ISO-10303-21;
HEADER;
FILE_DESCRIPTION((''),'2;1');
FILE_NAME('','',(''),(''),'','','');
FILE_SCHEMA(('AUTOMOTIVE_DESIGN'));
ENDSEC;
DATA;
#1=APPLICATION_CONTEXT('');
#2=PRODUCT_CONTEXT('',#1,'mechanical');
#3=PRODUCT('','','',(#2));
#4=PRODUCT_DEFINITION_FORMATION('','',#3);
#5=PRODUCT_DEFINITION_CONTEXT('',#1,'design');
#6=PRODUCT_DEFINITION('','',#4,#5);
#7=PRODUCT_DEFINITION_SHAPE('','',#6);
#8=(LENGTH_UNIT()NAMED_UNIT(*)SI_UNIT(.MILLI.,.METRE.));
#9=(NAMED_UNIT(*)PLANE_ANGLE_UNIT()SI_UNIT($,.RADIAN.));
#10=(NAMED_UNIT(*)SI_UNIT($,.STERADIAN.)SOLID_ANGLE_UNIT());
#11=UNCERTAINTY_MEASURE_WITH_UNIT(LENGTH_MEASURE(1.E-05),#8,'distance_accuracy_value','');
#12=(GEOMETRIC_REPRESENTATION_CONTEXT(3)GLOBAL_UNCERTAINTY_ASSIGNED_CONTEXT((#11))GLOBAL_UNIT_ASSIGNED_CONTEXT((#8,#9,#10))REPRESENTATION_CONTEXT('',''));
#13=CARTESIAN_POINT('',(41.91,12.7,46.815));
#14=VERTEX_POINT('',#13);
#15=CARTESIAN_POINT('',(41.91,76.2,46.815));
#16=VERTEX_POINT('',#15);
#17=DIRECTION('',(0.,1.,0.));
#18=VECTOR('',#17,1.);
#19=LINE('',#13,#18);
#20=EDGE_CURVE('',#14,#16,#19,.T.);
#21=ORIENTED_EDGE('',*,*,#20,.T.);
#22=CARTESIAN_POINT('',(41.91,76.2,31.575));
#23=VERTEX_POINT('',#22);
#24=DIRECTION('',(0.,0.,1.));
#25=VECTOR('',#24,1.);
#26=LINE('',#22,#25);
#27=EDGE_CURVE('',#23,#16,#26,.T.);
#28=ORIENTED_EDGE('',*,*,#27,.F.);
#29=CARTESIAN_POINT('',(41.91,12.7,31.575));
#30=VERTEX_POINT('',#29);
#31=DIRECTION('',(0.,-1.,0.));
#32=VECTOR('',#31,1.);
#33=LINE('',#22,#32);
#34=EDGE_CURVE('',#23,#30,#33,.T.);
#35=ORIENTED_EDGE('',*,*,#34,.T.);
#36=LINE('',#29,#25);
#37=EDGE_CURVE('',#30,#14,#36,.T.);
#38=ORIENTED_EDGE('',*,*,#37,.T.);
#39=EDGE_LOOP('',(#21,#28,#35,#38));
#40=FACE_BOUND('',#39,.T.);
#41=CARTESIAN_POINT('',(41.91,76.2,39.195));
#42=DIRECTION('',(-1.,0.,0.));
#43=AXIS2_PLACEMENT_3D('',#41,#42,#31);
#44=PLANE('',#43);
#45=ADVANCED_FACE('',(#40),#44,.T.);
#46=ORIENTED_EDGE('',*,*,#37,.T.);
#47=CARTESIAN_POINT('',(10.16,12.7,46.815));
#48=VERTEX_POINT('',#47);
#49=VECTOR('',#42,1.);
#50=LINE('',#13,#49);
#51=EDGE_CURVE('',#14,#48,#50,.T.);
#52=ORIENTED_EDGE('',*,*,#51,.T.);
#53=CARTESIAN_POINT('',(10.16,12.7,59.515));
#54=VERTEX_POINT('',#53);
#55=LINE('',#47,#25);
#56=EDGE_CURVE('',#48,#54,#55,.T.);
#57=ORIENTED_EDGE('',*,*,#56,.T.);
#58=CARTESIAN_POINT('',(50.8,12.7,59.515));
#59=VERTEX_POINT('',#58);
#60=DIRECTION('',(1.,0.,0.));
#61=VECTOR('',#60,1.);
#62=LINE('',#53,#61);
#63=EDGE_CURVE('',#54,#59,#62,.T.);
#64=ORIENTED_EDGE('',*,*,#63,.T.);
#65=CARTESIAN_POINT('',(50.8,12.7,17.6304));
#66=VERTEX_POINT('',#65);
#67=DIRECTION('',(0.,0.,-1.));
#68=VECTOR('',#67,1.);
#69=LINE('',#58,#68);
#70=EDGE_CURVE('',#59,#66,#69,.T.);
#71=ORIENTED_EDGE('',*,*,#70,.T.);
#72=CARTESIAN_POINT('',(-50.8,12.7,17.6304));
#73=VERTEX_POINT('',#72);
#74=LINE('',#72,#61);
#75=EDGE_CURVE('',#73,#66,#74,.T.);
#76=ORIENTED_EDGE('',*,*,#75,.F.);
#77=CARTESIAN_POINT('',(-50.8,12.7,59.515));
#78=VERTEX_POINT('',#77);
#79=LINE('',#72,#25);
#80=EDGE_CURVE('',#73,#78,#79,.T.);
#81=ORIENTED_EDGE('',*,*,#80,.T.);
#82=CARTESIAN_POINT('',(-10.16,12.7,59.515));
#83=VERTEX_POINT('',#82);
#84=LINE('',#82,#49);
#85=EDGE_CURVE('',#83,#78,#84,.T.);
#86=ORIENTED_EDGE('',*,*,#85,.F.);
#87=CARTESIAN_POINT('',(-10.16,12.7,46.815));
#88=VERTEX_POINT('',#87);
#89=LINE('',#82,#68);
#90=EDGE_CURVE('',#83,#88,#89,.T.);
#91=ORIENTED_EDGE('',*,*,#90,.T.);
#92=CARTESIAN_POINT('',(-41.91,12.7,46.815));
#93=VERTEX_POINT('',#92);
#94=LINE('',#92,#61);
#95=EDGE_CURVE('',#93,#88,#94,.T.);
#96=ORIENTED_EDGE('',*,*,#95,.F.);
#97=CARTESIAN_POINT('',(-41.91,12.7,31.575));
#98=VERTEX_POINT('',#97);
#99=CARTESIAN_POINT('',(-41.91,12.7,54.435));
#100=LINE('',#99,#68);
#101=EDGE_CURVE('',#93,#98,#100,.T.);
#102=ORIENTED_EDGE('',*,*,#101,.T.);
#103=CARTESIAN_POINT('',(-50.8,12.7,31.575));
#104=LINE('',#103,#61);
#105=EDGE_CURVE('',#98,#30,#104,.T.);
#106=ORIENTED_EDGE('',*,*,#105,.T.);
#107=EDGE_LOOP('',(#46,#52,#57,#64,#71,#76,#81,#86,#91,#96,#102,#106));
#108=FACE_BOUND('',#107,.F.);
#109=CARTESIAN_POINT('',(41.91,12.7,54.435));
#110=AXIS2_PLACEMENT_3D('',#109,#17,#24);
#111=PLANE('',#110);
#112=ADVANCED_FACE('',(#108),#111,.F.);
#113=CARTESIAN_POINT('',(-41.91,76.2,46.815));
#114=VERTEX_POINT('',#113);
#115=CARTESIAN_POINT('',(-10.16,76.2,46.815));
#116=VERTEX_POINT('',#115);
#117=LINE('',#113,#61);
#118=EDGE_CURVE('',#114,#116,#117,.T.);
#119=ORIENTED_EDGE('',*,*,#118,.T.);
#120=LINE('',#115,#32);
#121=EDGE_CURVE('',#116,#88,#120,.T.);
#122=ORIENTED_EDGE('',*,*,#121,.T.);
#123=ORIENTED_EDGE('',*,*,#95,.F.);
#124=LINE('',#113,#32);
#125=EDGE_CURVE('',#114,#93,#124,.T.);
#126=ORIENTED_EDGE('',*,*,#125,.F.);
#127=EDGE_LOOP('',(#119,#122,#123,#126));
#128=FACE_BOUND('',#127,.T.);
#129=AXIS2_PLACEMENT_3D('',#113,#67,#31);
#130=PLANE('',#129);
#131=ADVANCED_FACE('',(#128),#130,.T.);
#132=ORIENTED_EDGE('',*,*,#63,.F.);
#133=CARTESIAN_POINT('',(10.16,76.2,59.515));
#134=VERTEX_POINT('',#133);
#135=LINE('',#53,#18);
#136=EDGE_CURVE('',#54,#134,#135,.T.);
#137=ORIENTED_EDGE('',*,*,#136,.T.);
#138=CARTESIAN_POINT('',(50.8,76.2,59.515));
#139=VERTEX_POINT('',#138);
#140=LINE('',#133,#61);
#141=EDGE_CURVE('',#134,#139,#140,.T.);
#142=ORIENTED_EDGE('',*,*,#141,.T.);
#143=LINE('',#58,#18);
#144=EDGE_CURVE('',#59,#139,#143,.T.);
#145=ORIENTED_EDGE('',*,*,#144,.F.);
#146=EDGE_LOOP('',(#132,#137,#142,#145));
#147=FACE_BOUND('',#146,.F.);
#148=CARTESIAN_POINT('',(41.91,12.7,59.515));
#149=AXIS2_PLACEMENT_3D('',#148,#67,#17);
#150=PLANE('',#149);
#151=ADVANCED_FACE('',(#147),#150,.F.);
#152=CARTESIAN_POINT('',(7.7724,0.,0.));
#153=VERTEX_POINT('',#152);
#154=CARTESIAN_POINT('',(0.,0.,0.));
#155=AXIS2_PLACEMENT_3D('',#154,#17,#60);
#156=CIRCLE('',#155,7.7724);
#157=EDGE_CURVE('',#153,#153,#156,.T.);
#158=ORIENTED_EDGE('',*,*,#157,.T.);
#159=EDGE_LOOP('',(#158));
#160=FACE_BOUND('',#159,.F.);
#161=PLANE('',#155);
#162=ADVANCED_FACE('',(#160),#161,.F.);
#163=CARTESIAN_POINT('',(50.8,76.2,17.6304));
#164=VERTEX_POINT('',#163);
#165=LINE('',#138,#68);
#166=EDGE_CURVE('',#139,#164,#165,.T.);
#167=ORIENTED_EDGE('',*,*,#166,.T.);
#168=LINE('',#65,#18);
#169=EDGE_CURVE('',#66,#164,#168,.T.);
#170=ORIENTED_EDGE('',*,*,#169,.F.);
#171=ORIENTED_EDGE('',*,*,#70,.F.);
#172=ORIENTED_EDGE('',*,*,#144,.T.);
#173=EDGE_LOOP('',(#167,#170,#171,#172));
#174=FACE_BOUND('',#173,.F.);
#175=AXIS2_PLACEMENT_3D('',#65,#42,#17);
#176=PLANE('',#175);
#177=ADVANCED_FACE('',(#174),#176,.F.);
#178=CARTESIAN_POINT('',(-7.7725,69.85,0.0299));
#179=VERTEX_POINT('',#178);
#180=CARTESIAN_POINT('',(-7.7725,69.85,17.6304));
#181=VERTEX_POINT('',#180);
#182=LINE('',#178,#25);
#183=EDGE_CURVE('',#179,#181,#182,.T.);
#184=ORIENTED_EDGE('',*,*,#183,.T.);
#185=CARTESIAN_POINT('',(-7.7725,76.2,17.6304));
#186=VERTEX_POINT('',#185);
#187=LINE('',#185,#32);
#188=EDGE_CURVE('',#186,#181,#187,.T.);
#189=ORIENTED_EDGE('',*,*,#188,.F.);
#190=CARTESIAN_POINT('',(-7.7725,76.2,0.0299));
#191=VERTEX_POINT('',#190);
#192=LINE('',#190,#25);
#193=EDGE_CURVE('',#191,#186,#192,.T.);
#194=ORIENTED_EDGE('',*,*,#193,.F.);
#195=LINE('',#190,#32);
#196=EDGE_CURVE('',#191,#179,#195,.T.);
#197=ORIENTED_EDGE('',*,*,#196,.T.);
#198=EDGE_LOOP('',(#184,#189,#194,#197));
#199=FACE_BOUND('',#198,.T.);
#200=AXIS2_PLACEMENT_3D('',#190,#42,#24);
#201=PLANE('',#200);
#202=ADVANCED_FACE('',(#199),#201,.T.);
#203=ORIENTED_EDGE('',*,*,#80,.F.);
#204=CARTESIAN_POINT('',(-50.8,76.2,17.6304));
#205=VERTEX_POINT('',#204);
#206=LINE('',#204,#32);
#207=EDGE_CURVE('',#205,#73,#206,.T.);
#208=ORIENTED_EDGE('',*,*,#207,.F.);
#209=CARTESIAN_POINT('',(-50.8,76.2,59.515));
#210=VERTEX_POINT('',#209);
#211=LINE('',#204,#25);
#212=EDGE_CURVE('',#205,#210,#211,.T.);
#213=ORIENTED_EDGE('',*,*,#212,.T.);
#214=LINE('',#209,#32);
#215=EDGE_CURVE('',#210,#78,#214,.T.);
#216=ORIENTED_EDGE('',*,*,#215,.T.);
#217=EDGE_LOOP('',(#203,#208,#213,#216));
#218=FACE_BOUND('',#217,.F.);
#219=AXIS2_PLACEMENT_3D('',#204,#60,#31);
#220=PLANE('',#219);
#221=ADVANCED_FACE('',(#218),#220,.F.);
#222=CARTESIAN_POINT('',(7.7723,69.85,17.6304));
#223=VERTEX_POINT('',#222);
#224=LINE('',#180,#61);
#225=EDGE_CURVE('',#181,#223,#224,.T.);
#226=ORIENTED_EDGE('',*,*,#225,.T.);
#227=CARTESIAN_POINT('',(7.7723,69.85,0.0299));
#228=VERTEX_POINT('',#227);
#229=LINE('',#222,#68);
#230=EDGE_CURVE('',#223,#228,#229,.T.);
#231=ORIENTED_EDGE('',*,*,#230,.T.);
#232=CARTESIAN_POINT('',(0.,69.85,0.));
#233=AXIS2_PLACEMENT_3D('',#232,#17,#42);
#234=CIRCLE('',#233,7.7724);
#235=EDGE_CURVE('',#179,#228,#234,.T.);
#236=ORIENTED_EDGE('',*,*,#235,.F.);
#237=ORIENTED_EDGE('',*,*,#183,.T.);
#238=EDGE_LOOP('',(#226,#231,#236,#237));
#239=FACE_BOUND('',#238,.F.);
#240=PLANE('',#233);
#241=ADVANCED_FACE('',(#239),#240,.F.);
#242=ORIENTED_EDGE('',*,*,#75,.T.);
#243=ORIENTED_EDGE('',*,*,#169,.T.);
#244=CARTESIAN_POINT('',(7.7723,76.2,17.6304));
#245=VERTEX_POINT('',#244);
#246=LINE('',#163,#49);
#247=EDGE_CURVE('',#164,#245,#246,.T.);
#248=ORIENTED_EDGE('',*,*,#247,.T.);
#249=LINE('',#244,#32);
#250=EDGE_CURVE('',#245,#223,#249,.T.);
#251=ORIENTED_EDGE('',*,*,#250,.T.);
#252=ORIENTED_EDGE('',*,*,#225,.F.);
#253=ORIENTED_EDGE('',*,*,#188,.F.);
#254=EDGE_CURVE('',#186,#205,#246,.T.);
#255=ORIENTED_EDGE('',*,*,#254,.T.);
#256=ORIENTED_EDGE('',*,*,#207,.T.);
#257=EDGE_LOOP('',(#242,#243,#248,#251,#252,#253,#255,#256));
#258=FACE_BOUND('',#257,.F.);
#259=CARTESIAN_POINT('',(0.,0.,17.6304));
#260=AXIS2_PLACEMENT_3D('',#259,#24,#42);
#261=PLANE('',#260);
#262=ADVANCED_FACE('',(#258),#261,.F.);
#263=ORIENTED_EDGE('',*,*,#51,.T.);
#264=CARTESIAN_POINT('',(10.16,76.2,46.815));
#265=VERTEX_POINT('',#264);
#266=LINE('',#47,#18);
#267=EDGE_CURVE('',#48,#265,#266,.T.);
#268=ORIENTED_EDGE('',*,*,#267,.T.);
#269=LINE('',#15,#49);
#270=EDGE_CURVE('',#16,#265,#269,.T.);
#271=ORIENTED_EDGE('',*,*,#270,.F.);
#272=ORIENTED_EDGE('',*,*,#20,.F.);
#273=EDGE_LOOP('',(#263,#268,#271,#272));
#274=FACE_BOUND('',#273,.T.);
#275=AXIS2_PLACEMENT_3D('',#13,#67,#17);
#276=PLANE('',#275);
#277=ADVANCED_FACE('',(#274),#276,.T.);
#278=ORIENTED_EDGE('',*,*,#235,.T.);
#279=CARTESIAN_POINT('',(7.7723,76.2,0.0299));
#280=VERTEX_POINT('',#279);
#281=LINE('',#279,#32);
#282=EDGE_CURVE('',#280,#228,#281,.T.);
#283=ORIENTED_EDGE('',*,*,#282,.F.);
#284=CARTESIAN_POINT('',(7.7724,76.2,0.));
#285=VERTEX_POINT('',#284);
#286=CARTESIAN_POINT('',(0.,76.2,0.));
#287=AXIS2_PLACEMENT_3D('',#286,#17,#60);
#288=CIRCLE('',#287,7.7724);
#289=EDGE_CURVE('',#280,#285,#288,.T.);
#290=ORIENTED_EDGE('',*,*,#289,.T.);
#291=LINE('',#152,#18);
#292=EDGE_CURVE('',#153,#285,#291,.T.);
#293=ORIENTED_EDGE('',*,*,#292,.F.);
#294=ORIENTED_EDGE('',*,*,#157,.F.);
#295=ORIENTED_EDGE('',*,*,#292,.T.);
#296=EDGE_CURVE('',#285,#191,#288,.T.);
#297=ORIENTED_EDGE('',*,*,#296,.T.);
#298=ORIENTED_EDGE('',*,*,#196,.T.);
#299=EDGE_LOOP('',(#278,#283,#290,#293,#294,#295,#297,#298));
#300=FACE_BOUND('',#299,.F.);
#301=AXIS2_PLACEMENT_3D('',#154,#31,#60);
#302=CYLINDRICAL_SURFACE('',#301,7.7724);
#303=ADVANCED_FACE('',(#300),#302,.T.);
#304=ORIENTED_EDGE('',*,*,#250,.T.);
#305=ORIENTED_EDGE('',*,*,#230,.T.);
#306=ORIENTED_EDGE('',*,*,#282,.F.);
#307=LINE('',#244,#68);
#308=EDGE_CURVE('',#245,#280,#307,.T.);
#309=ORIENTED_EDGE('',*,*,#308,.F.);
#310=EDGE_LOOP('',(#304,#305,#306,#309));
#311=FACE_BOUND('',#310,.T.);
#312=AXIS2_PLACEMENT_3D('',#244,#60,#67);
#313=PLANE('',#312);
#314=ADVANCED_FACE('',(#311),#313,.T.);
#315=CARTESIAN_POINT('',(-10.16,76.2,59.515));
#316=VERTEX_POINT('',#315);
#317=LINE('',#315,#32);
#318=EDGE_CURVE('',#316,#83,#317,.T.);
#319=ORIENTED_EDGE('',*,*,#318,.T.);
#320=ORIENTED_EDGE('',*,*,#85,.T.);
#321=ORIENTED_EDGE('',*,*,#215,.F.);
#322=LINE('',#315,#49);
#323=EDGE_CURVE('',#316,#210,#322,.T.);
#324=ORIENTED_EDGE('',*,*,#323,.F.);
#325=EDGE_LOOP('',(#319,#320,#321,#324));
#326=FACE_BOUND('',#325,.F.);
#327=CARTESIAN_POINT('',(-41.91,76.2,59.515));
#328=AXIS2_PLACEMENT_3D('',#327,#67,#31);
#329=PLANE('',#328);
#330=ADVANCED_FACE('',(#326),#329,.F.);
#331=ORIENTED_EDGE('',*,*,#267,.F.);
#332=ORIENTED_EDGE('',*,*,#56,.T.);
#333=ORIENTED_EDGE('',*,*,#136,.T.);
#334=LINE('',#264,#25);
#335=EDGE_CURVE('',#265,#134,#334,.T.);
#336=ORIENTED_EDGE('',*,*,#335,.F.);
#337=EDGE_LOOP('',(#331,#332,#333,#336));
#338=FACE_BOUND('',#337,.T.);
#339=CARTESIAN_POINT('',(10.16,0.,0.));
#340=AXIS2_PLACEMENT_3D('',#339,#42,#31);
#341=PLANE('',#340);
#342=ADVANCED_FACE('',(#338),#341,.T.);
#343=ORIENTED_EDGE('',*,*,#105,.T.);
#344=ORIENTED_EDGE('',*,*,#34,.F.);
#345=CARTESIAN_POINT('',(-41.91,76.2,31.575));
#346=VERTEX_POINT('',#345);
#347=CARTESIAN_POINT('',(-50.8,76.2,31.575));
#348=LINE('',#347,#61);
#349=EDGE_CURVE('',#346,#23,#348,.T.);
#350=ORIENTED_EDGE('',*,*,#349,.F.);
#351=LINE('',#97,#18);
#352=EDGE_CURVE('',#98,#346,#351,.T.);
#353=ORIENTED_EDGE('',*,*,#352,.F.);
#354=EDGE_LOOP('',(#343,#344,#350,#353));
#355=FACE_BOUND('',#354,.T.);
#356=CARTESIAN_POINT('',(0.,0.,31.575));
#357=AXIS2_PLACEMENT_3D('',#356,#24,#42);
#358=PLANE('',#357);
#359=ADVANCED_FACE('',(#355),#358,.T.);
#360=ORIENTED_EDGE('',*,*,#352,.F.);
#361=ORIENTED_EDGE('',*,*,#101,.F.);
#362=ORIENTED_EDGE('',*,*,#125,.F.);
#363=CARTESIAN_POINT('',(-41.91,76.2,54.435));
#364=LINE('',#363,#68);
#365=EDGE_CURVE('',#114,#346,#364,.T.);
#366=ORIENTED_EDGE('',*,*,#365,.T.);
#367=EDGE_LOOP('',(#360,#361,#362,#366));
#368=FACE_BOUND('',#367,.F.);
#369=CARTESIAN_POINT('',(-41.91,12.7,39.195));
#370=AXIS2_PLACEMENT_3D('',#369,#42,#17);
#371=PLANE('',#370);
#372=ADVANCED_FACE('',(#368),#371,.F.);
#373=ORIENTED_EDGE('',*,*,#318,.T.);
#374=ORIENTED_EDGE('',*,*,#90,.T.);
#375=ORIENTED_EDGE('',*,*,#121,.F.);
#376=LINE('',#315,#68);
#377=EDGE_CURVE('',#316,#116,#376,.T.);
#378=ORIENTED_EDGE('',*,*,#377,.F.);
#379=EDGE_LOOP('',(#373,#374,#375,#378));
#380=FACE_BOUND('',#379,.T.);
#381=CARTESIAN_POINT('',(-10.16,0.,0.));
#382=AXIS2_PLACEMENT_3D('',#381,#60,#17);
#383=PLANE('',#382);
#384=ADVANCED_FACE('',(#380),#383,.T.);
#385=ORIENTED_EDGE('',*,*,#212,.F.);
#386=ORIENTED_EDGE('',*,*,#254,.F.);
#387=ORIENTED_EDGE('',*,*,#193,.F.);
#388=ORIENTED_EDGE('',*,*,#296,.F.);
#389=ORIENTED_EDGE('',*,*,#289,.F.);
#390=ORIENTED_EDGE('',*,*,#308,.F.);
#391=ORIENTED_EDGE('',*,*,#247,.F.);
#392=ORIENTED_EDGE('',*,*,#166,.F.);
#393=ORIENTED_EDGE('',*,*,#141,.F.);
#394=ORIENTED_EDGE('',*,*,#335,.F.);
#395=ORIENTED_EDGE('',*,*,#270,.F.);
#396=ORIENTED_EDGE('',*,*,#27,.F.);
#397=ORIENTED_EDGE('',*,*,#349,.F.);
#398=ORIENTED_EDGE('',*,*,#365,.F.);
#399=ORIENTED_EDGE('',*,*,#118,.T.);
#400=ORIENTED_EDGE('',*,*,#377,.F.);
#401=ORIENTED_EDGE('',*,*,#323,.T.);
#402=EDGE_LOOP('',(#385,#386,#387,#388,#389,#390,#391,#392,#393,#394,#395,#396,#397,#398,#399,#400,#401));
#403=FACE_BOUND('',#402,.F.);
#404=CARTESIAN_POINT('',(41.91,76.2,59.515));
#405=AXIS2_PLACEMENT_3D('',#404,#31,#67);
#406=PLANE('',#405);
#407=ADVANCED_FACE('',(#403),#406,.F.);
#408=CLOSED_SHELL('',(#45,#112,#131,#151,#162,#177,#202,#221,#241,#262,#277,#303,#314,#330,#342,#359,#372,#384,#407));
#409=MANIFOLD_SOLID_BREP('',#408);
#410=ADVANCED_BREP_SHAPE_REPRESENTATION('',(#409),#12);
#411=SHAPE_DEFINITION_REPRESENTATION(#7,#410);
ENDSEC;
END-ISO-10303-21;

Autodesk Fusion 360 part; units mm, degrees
sketch "Sketch1" plane through (0, 0, 0) normal (0, 1, 0) x (1, 0, 0)
  circle A0 centre (0, 0) radius 7.7724
  dimension "d1" = 15.5448
extrude "Extrude1" add sketch "Sketch1" along normal blind 76.2
sketch "Sketch2" plane through (0, 76.2, 0) normal (0, 1, 0) x (-1, 0, 0)
  circle A0 centre (0, 0) radius 7.7724
  line L0 (-7.7723, 0.0299) -> (7.7725, 0.0299)
  line L1 (7.7725, 0.0299) -> (7.7725, 17.6304)
  line L2 (7.7725, 17.6304) -> (-7.7723, 17.6304)
  line L3 (-7.7723, 17.6304) -> (-7.7723, 0.0299)
  dimension "d4" = 15.5448
extrude "Extrude2" add sketch "Sketch2" against normal blind 6.35 contours A0 L1 L2 L3
sketch "Sketch3" plane through (0, 0, 17.6304) normal (0, 0, 1) x (-1, 0, 0)
  line L0 (-7.7723, -76.2) -> (7.7725, -76.2)
  line L1 (7.7725, -76.2) -> (7.7725, -69.85)
  line L2 (7.7725, -69.85) -> (-7.7723, -69.85)
  line L3 (-7.7723, -69.85) -> (-7.7723, -76.2)
  line L4 (-50.8, -76.2) -> (50.8, -76.2)
  line L5 (50.8, -76.2) -> (50.8, -12.7)
  line L6 (50.8, -12.7) -> (-50.8, -12.7)
  line L7 (-50.8, -12.7) -> (-50.8, -76.2)
  dimension "d7" = 101.6
  dimension "d8" = 63.5
extrude "Extrude3" add sketch "Sketch3" along normal blind 21.5646
sketch "Sketch4" plane through (0, 0, 39.195) normal (0, 0, 1) x (-1, 0, 0)
  line L0 (-50.8, -12.7) -> (-50.8, -76.2)
  line L1 (-50.8, -76.2) -> (50.8, -76.2)
  line L2 (50.8, -76.2) -> (50.8, -12.7)
  line L3 (50.8, -12.7) -> (-50.8, -12.7)
  line L4 (50.8, -12.7) -> (41.91, -12.7)
  line L5 (41.91, -12.7) -> (41.91, -76.2)
  line L6 (41.91, -76.2) -> (50.8, -76.2)
  line L7 (50.8, -76.2) -> (50.8, -12.7)
  line L8 (-50.8, -76.2) -> (-41.91, -76.2)
  line L9 (-41.91, -76.2) -> (-41.91, -12.7)
  line L10 (-41.91, -12.7) -> (-50.8, -12.7)
  line L11 (-50.8, -12.7) -> (-50.8, -76.2)
  dimension "d11" = 8.89
  dimension "d12" = 63.5
  dimension "d13" = 8.89
extrude "Extrude4" add sketch "Sketch4" along normal blind 20.32 contours L0 L1 L3 L8 L9 L10 L11 | L1 L2 L3 L4 L5 L6 L7
sketch "Sketch5" plane through (-41.91, 0, 0) normal (1, 0, 0) x (0, 1, 0)
  line L0 (12.7, 39.195) -> (76.2, 39.195)
  line L1 (76.2, 39.195) -> (76.2, 59.515)
  line L2 (76.2, 59.515) -> (12.7, 59.515)
  line L3 (12.7, 59.515) -> (12.7, 39.195)
  line L4 (12.7, 59.515) -> (76.2, 59.515)
  line L5 (76.2, 59.515) -> (76.2, 54.435)
  line L6 (76.2, 54.435) -> (12.7, 54.435)
  line L7 (12.7, 54.435) -> (12.7, 59.515)
  dimension "d16" = 63.5
  dimension "d17" = 5.08
sketch "Sketch6" plane through (41.91, 0, 0) normal (-1, 0, 0) x (0, -1, 0)
  line L0 (-76.2, 39.195) -> (-12.7, 39.195)
  line L1 (-12.7, 39.195) -> (-12.7, 59.515)
  line L2 (-12.7, 59.515) -> (-76.2, 59.515)
  line L3 (-76.2, 59.515) -> (-76.2, 39.195)
  line L4 (-76.2, 59.515) -> (-12.7, 59.515)
  line L5 (-12.7, 59.515) -> (-12.7, 54.435)
  line L6 (-12.7, 54.435) -> (-76.2, 54.435)
  line L7 (-76.2, 54.435) -> (-76.2, 59.515)
  dimension "d18" = 63.5
  dimension "d19" = 5.08
extrude "Extrude5" add sketch "Sketch5" along normal blind 31.75 contours L1 L2 L3 L4 L5 L6 L7
sketch "Sketch7" plane through (41.91, 0, 0) normal (-1, 0, 0) x (0, -1, 0)
extrude "Extrude6" add sketch "Sketch6" along normal blind 31.75 contours L1 L2 L3 L4 L5 L6 L7
extrude "Extrude7" cut 1 faces at (2.5908, 33.8667, 39.195) along direction (0, 0, -1) blind 7.62
extrude "Extrude8" add 2 faces at (-31.3267, 55.0333, 54.435) (31.3267, 33.8667, 54.435) along direction (0, 0, -1) blind 7.62
